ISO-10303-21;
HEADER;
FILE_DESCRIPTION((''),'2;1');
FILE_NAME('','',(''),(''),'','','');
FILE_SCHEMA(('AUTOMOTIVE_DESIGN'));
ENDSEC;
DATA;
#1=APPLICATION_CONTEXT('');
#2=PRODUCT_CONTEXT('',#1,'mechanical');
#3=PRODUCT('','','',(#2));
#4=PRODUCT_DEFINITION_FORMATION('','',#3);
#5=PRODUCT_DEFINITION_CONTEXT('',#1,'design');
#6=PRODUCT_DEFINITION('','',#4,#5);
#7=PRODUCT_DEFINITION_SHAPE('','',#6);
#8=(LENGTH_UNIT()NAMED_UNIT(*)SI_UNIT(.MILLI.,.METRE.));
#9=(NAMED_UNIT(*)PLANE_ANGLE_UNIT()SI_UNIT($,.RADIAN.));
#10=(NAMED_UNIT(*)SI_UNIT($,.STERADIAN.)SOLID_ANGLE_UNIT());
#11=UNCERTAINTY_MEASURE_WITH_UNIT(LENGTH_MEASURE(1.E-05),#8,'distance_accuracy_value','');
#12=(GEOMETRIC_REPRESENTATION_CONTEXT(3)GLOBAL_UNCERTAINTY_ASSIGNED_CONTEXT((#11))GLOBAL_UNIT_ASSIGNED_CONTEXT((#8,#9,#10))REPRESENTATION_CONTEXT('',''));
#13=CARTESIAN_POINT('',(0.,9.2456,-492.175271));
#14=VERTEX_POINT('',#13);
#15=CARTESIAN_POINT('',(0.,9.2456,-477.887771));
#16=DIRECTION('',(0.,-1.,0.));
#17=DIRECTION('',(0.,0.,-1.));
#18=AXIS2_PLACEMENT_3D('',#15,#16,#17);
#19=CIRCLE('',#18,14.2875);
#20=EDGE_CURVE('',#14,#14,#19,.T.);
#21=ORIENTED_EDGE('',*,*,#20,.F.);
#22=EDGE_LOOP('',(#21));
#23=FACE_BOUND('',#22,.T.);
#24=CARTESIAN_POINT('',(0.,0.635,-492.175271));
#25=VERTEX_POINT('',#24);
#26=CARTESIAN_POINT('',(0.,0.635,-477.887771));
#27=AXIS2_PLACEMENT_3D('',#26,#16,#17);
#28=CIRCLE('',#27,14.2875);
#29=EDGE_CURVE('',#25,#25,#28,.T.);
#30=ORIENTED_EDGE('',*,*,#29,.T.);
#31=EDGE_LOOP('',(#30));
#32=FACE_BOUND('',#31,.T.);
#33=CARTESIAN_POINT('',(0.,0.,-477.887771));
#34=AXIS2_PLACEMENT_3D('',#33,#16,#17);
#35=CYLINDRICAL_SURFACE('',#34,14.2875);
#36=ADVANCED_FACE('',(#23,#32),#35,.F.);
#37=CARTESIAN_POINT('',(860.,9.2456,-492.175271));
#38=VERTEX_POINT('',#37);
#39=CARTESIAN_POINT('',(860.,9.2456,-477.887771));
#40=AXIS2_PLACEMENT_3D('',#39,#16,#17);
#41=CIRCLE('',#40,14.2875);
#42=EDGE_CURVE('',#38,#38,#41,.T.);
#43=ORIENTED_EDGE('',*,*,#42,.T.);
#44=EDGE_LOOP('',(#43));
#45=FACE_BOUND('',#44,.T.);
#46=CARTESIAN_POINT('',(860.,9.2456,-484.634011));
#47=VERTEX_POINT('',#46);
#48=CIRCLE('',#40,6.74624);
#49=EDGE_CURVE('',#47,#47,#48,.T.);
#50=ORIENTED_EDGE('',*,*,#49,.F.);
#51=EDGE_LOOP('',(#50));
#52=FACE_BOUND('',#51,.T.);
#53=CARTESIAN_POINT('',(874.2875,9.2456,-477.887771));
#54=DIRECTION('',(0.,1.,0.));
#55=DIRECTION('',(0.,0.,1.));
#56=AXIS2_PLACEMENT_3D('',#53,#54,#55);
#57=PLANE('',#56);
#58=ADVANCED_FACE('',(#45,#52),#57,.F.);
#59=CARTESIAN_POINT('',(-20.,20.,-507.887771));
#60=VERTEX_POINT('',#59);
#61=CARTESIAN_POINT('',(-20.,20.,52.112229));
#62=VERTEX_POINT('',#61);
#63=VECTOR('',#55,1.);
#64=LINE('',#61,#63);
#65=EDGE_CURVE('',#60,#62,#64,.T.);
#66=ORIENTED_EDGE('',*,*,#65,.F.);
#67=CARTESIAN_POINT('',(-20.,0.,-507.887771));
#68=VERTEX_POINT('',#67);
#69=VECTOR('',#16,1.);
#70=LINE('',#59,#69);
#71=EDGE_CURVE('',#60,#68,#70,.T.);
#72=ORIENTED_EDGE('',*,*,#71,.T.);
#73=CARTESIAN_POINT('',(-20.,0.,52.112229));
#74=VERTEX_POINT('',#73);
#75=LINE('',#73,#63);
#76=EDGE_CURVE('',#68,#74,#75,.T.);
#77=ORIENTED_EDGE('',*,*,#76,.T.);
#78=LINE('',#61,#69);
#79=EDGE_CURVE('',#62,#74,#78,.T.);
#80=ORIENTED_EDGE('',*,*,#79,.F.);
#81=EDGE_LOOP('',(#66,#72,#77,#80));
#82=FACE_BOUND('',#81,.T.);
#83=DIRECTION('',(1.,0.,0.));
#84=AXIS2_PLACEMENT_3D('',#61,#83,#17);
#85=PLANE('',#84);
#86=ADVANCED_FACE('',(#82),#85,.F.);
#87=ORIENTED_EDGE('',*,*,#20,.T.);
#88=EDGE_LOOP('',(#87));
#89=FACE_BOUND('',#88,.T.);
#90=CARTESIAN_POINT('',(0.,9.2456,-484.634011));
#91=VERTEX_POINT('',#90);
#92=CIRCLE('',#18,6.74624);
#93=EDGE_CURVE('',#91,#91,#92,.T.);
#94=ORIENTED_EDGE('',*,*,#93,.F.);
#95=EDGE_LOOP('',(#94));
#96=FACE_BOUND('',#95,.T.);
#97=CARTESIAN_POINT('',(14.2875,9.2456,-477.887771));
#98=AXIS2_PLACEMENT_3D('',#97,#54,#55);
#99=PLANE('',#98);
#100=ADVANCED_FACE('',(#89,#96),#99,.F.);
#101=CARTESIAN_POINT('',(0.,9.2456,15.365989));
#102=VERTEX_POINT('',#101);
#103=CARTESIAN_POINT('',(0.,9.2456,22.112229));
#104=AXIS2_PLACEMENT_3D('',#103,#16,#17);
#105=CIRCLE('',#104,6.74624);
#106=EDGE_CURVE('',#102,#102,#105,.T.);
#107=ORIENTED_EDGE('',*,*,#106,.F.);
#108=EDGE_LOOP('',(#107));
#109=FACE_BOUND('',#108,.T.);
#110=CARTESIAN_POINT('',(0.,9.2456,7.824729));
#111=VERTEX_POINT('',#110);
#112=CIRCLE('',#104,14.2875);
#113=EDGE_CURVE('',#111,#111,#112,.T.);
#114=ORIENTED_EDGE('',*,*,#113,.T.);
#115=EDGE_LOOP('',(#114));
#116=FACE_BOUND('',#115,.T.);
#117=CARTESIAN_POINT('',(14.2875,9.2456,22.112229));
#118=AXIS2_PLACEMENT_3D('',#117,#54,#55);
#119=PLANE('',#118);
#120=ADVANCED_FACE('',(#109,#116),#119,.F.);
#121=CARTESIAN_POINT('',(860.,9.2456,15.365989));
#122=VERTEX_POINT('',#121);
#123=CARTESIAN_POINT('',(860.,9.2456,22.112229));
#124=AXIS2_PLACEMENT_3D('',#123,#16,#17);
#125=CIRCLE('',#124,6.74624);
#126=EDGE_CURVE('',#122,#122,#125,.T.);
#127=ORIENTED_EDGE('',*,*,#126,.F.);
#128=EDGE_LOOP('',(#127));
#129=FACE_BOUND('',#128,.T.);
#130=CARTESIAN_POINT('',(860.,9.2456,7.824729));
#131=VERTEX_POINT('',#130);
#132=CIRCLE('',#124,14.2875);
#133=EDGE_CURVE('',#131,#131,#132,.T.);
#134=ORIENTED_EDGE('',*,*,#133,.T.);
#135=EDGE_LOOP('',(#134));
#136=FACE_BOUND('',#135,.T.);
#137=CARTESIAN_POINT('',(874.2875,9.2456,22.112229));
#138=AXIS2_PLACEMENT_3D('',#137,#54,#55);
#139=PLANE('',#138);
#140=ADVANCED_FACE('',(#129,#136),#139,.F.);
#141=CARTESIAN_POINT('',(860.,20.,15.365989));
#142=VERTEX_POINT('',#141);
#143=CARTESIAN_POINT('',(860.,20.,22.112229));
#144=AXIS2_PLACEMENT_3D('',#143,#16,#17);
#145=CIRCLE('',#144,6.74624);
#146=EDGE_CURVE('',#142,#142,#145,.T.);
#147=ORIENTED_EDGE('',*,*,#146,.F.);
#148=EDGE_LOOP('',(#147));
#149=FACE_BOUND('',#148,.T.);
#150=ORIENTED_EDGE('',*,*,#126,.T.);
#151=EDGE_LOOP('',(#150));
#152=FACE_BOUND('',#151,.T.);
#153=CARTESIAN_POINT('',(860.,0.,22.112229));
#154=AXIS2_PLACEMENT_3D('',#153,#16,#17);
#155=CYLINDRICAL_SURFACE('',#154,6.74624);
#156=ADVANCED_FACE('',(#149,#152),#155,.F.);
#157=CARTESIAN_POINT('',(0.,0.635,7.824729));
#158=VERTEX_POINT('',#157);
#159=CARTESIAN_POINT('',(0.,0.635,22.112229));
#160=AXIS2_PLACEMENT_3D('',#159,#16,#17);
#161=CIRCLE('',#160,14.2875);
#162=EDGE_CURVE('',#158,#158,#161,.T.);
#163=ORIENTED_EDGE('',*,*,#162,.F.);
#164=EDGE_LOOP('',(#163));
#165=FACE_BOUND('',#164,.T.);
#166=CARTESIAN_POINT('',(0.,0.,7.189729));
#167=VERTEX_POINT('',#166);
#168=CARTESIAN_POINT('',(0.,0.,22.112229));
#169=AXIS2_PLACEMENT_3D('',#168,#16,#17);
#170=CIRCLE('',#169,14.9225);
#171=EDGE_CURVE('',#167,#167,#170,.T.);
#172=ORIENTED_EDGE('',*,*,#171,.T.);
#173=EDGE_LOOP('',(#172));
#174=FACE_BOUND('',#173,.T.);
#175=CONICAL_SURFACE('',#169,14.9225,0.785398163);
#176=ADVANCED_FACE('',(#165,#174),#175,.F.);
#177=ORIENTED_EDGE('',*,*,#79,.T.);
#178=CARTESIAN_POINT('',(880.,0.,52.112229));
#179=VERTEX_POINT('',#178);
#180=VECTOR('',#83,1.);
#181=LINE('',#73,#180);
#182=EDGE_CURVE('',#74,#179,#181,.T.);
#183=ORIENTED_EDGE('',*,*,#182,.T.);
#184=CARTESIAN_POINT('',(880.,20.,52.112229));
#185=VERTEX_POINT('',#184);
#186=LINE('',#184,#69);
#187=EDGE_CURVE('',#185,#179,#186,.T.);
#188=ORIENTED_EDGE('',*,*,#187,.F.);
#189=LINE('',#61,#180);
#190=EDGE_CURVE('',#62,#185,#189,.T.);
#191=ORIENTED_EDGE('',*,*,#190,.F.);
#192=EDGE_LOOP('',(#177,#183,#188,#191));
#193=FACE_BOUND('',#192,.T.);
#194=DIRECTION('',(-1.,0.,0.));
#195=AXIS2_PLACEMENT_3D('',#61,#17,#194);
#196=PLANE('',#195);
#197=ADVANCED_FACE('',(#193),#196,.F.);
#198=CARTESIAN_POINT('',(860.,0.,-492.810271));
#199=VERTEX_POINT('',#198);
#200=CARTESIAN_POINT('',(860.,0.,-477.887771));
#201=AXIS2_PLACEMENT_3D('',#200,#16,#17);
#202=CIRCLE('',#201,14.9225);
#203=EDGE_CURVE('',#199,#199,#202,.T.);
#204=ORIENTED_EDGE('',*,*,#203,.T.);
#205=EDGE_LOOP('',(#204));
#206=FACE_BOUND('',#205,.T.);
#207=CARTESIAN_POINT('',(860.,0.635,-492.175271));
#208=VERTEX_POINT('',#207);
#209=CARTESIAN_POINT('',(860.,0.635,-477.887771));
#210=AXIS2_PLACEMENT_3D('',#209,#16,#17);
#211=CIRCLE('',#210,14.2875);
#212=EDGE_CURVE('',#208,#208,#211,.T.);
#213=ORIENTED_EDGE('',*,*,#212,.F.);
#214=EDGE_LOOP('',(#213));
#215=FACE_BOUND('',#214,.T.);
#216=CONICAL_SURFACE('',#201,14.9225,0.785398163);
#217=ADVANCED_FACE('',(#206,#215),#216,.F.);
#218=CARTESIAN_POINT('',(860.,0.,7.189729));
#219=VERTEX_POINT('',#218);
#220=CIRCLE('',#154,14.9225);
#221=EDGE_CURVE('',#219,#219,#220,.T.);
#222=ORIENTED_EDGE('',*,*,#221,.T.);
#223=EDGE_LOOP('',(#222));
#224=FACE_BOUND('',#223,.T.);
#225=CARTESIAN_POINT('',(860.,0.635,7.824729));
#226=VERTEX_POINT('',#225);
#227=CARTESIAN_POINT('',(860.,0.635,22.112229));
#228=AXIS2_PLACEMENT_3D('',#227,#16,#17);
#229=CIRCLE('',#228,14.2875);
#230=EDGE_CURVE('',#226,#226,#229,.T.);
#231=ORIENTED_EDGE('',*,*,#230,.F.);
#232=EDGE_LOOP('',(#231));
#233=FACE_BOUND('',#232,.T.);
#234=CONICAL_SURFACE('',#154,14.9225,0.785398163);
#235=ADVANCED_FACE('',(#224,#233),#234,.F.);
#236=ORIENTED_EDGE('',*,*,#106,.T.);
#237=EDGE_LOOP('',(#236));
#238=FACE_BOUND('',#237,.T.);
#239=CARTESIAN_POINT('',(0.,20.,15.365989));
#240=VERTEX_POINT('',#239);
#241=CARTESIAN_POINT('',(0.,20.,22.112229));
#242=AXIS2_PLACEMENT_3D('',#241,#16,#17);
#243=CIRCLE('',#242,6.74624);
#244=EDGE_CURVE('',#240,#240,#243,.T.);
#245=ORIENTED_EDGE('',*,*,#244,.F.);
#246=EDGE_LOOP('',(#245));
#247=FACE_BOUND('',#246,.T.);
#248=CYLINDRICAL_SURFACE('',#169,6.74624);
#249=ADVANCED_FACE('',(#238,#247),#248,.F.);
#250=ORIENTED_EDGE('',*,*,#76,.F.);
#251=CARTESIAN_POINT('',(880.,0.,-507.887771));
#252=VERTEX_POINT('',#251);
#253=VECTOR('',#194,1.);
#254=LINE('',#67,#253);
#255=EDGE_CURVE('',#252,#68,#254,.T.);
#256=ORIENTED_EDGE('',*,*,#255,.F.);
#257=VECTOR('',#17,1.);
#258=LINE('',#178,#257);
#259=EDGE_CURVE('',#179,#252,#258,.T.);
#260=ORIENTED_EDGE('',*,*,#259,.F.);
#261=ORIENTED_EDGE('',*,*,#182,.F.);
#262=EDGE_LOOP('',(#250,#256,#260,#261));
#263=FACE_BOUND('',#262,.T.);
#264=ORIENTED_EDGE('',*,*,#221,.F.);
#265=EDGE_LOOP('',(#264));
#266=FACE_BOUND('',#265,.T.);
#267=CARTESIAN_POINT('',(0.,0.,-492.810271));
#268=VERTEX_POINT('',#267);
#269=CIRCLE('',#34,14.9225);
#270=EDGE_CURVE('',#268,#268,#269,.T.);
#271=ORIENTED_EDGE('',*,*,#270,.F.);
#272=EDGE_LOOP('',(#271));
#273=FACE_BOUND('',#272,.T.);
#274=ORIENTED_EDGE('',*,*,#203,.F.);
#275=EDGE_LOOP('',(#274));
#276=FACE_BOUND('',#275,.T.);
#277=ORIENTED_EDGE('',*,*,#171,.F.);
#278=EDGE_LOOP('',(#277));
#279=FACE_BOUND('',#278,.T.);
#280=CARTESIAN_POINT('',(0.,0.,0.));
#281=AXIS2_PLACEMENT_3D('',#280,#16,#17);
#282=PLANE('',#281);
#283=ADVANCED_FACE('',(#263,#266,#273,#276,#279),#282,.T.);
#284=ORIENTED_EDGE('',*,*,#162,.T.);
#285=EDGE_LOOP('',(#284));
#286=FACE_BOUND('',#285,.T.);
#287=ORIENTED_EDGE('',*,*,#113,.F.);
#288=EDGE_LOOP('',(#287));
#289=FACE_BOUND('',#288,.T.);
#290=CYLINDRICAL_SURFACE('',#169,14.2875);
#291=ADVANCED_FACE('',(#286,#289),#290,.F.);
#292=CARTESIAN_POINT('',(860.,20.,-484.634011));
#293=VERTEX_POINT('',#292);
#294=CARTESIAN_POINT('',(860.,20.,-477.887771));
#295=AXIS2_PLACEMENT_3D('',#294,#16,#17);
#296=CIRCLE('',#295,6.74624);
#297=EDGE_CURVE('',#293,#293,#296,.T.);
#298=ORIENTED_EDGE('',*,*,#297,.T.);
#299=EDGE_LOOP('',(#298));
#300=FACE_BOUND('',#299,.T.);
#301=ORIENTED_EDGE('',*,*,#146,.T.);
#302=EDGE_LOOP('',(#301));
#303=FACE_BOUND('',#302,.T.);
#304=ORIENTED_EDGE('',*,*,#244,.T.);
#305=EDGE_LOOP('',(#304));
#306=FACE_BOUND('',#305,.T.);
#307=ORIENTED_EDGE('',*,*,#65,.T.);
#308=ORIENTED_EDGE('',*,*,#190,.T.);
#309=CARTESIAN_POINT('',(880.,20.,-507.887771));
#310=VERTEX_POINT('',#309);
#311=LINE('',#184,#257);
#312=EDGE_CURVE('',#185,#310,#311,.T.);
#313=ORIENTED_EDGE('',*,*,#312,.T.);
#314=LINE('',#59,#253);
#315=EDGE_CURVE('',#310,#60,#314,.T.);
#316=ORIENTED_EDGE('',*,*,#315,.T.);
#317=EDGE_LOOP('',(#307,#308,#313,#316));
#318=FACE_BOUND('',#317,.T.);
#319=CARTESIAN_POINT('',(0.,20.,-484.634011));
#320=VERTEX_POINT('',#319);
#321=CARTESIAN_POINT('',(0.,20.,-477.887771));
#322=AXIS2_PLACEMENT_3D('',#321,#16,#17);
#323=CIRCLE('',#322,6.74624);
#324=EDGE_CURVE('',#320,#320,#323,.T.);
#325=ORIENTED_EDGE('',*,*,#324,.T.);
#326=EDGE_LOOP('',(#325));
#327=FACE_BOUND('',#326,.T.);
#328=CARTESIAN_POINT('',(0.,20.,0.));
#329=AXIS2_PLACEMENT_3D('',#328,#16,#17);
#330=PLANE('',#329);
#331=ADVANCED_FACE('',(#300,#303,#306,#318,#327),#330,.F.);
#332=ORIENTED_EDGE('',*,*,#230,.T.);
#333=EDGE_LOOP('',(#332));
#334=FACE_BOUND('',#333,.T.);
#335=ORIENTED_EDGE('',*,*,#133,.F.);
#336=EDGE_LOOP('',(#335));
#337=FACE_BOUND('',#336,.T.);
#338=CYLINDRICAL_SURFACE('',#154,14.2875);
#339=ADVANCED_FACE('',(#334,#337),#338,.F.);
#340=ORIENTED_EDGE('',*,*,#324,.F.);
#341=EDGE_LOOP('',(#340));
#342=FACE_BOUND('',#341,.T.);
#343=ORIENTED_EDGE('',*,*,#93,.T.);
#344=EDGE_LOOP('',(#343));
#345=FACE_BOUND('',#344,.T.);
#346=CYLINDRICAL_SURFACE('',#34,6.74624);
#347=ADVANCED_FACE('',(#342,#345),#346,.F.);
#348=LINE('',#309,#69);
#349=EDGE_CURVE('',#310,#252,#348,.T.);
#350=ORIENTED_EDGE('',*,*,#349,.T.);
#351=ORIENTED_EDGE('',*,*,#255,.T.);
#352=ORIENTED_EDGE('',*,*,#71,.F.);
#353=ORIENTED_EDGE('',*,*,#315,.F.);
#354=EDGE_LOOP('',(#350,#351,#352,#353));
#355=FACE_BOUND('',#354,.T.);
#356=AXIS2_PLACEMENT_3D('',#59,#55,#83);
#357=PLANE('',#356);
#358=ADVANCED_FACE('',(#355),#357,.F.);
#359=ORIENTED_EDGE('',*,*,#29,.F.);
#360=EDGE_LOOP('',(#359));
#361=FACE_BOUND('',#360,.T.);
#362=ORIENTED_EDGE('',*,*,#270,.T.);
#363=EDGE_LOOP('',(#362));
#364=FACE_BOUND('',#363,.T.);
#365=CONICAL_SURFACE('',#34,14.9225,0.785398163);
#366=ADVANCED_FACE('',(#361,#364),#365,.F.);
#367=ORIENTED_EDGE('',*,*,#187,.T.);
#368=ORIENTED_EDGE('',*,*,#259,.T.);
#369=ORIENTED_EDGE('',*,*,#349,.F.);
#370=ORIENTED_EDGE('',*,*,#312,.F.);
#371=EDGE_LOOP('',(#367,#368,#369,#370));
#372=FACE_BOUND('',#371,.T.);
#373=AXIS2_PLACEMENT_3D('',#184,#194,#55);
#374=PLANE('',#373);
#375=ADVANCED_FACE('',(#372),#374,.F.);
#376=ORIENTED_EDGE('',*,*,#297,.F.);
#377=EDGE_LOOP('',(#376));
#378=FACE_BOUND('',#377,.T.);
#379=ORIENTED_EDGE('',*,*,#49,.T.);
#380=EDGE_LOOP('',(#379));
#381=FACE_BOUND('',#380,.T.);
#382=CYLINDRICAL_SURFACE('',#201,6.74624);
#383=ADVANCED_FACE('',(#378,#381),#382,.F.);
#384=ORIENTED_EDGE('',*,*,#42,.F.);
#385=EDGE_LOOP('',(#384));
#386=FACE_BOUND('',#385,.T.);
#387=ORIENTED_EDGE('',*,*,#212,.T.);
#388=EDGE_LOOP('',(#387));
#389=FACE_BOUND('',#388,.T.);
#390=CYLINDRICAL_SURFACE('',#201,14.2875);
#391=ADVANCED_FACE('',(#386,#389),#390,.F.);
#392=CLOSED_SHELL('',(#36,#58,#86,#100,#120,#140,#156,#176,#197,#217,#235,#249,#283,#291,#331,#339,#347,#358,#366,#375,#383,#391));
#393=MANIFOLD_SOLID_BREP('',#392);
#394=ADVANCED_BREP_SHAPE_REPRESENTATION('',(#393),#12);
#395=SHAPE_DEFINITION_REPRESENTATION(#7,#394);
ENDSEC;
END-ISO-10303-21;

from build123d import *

# Parameters (mm, degrees)
SKETCH1_W                                = 900
SKETCH1_H                                = 560
BOSS_EXTRUDE1_DEPTH                      = 20
CBORE_FOR_1_2_HEAVY_HEX_BOLT1_AT_2_COUNT = 2
CBORE_FOR_1_2_HEAVY_HEX_BOLT1_AT_2_PITCH = 860
CBORE_FOR_1_2_HEAVY_HEX_BOLT1_AT_3_COUNT = 2
CBORE_FOR_1_2_HEAVY_HEX_BOLT1_AT_3_PITCH = 994.786409236
CBORE_FOR_1_2_HEAVY_HEX_BOLT1_AT_4_COUNT = 2
CBORE_FOR_1_2_HEAVY_HEX_BOLT1_AT_4_PITCH = 500


with BuildPart() as part:
    # Sketch1 → Boss-Extrude1 (new body)
    with BuildSketch(Plane(origin=(0, 0, 0), x_dir=(1, 0, 0), z_dir=(0, 1, 0))):
        with Locations((430, 227.887771015)):
            Rectangle(SKETCH1_W, SKETCH1_H)
    extrude(amount=BOSS_EXTRUDE1_DEPTH)

    # Sketch3 → CBORE for 1/2 Heavy Hex Bolt1 (revolve, cut)
    with BuildSketch(Plane(origin=(0, 0, -477.887771015), x_dir=(0, 0, -1), z_dir=(1, 0, 0))):
        Polygon((0, 0), (0, 20), (6.74624, 20), (6.74624, 9.2456), (14.2875, 9.2456), (14.2875, 0.635), (14.9225, 0), align=None)
    cbore_for_1_2_heavy_hex_bolt1 = revolve(axis=Axis((0, -6.35, -477.887771015), (0, 1, 0)), mode=Mode.SUBTRACT)

    # CBORE for 1/2 Heavy Hex Bolt1 at 2: CBORE for 1/2 Heavy Hex Bolt1 ×2
    with Locations(*[(i * CBORE_FOR_1_2_HEAVY_HEX_BOLT1_AT_2_PITCH, 0, 0) for i in range(1, CBORE_FOR_1_2_HEAVY_HEX_BOLT1_AT_2_COUNT)]):
        add(cbore_for_1_2_heavy_hex_bolt1, mode=Mode.SUBTRACT)

    # CBORE for 1/2 Heavy Hex Bolt1 at 3: CBORE for 1/2 Heavy Hex Bolt1 ×2
    with Locations(*[Vector(0.864507187, 0, 0.502620457) * (i * CBORE_FOR_1_2_HEAVY_HEX_BOLT1_AT_3_PITCH) for i in range(1, CBORE_FOR_1_2_HEAVY_HEX_BOLT1_AT_3_COUNT)]):
        add(cbore_for_1_2_heavy_hex_bolt1, mode=Mode.SUBTRACT)

    # CBORE for 1/2 Heavy Hex Bolt1 at 4: CBORE for 1/2 Heavy Hex Bolt1 ×2
    with Locations(*[(0, 0, i * CBORE_FOR_1_2_HEAVY_HEX_BOLT1_AT_4_PITCH) for i in range(1, CBORE_FOR_1_2_HEAVY_HEX_BOLT1_AT_4_COUNT)]):
        add(cbore_for_1_2_heavy_hex_bolt1, mode=Mode.SUBTRACT)


solid = part.part
